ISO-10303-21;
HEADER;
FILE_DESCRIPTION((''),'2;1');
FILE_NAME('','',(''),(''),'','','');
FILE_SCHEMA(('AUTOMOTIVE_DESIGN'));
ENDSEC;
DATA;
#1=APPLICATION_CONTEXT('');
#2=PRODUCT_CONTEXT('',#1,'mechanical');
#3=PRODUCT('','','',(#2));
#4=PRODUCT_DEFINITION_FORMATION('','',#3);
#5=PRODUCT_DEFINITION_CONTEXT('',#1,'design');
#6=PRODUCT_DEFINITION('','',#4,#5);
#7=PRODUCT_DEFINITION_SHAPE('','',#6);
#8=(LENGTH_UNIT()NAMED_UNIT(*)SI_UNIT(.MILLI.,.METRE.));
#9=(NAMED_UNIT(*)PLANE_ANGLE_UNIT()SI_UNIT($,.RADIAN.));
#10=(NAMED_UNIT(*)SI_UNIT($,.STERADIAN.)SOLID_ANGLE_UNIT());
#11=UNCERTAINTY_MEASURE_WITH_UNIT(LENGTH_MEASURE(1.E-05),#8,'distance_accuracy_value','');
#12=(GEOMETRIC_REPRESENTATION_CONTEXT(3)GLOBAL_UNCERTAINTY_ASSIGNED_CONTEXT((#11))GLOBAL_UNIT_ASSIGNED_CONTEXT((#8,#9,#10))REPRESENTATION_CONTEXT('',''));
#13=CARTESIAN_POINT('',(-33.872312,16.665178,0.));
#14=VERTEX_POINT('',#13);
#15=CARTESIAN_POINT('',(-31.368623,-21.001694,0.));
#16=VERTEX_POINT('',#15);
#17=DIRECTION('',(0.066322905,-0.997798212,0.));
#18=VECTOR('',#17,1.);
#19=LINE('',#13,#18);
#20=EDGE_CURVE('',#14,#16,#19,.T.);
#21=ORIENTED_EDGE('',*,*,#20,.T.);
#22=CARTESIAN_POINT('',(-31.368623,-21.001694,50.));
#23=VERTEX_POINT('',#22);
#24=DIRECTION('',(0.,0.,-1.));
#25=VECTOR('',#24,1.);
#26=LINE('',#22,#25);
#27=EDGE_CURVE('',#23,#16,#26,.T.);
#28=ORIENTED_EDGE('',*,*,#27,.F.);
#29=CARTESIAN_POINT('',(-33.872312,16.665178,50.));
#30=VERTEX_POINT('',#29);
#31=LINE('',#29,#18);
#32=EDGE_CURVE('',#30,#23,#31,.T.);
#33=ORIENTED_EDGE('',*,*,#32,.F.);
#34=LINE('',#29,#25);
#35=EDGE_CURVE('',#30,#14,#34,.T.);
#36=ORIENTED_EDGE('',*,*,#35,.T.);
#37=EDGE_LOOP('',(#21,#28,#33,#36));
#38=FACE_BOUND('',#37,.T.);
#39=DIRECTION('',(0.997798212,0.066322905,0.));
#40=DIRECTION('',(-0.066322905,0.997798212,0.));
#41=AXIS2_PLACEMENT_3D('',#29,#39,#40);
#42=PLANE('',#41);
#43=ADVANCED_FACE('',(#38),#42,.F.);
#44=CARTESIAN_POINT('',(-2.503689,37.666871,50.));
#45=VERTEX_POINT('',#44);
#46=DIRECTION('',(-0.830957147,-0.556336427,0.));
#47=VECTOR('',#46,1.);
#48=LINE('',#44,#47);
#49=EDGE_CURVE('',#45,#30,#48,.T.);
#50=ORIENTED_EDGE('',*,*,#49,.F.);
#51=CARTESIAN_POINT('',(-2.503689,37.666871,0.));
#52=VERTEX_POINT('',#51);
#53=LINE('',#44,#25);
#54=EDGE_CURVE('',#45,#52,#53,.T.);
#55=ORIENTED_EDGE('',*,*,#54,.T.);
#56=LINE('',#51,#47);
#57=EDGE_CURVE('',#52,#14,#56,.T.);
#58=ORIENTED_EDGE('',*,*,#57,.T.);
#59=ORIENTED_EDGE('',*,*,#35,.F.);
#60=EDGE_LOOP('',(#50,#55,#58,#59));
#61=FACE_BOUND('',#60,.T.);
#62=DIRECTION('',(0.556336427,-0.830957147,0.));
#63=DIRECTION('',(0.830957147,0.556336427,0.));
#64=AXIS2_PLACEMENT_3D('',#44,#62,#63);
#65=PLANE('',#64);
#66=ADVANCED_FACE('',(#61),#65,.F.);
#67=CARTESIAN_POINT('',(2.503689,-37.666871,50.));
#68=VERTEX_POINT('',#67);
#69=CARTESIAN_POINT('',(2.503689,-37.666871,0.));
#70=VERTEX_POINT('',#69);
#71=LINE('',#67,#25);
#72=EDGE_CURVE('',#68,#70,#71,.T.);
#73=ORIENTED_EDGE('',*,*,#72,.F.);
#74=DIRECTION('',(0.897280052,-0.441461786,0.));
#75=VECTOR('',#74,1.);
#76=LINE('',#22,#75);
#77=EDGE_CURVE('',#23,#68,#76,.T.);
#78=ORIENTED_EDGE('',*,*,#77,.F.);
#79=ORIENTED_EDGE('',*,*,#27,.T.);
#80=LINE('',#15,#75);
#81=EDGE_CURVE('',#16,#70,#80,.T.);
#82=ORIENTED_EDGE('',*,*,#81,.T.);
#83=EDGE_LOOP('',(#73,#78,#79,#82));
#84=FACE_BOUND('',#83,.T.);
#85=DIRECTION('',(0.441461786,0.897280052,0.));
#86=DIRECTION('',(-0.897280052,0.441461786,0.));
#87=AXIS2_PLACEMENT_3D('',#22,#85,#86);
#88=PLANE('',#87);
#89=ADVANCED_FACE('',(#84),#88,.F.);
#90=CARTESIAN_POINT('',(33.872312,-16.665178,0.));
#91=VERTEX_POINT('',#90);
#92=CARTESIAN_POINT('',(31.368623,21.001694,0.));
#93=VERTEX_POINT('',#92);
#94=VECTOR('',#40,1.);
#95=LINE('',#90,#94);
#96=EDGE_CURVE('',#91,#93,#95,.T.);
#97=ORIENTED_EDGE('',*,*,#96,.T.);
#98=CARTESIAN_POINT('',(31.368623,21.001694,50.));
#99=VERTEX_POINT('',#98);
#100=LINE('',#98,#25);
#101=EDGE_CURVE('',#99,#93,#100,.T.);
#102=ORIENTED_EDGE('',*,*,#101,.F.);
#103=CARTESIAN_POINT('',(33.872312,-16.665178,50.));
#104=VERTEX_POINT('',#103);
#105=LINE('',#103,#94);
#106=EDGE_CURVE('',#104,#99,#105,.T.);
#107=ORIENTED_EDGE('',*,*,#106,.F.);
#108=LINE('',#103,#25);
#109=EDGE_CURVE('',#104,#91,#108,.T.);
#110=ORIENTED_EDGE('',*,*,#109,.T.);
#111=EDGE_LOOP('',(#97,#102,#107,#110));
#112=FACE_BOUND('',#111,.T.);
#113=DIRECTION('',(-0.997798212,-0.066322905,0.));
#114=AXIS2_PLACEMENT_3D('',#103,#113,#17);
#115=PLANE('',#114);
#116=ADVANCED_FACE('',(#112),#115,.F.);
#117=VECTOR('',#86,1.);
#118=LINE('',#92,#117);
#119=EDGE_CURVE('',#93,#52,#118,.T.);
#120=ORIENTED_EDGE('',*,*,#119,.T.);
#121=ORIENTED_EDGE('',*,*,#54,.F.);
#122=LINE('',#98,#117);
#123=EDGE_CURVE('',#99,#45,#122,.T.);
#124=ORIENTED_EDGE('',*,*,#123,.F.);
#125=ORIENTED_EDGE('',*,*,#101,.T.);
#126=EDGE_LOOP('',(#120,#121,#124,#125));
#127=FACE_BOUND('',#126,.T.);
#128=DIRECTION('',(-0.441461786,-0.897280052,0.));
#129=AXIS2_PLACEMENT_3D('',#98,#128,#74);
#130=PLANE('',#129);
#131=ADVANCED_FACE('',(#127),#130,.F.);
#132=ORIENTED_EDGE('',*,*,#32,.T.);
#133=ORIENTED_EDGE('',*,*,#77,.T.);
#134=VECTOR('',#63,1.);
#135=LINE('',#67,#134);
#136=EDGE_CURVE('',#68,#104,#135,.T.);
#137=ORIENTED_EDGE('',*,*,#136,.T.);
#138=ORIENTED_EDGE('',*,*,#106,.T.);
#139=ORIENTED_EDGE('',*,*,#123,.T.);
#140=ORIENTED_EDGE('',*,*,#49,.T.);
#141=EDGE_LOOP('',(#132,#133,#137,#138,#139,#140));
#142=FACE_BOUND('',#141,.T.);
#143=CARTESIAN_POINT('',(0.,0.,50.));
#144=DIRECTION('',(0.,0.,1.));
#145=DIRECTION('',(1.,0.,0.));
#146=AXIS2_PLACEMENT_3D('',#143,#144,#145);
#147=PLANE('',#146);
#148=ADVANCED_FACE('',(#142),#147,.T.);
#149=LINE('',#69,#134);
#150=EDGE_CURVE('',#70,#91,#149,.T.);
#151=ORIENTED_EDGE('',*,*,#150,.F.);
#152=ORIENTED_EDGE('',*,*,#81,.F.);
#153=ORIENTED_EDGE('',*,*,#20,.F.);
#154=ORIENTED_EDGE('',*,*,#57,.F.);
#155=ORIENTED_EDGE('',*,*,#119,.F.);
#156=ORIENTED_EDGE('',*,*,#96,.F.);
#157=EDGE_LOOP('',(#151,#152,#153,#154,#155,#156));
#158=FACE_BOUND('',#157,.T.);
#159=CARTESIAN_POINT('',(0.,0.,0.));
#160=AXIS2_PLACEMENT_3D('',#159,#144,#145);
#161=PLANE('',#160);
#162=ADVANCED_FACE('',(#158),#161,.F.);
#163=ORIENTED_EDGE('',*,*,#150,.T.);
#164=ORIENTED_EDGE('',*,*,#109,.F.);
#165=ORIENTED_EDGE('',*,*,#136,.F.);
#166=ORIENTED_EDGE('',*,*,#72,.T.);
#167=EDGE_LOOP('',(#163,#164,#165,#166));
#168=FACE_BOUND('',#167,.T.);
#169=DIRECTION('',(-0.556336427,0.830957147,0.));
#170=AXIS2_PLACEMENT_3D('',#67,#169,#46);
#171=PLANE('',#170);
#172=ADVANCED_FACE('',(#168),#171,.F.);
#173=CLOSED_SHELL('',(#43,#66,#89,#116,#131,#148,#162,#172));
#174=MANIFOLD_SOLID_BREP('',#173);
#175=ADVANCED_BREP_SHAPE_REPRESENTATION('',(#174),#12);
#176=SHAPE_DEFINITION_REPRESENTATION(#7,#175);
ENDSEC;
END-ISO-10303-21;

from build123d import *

# Parameters (mm, degrees)
BOSS_EXTRUDE1_DEPTH = 50


with BuildPart() as part:
    # Sketch1 → Boss-Extrude1 (new body)
    with BuildSketch(Plane.XY):
        Polygon((33.872312052, -16.66517753), (31.368623125, 21.001693957), (-2.503688927, 37.666871487), (-33.872312052, 16.66517753), (-31.368623125, -21.001693957), (2.503688927, -37.666871487), align=None)
    extrude(amount=BOSS_EXTRUDE1_DEPTH)


solid = part.part
